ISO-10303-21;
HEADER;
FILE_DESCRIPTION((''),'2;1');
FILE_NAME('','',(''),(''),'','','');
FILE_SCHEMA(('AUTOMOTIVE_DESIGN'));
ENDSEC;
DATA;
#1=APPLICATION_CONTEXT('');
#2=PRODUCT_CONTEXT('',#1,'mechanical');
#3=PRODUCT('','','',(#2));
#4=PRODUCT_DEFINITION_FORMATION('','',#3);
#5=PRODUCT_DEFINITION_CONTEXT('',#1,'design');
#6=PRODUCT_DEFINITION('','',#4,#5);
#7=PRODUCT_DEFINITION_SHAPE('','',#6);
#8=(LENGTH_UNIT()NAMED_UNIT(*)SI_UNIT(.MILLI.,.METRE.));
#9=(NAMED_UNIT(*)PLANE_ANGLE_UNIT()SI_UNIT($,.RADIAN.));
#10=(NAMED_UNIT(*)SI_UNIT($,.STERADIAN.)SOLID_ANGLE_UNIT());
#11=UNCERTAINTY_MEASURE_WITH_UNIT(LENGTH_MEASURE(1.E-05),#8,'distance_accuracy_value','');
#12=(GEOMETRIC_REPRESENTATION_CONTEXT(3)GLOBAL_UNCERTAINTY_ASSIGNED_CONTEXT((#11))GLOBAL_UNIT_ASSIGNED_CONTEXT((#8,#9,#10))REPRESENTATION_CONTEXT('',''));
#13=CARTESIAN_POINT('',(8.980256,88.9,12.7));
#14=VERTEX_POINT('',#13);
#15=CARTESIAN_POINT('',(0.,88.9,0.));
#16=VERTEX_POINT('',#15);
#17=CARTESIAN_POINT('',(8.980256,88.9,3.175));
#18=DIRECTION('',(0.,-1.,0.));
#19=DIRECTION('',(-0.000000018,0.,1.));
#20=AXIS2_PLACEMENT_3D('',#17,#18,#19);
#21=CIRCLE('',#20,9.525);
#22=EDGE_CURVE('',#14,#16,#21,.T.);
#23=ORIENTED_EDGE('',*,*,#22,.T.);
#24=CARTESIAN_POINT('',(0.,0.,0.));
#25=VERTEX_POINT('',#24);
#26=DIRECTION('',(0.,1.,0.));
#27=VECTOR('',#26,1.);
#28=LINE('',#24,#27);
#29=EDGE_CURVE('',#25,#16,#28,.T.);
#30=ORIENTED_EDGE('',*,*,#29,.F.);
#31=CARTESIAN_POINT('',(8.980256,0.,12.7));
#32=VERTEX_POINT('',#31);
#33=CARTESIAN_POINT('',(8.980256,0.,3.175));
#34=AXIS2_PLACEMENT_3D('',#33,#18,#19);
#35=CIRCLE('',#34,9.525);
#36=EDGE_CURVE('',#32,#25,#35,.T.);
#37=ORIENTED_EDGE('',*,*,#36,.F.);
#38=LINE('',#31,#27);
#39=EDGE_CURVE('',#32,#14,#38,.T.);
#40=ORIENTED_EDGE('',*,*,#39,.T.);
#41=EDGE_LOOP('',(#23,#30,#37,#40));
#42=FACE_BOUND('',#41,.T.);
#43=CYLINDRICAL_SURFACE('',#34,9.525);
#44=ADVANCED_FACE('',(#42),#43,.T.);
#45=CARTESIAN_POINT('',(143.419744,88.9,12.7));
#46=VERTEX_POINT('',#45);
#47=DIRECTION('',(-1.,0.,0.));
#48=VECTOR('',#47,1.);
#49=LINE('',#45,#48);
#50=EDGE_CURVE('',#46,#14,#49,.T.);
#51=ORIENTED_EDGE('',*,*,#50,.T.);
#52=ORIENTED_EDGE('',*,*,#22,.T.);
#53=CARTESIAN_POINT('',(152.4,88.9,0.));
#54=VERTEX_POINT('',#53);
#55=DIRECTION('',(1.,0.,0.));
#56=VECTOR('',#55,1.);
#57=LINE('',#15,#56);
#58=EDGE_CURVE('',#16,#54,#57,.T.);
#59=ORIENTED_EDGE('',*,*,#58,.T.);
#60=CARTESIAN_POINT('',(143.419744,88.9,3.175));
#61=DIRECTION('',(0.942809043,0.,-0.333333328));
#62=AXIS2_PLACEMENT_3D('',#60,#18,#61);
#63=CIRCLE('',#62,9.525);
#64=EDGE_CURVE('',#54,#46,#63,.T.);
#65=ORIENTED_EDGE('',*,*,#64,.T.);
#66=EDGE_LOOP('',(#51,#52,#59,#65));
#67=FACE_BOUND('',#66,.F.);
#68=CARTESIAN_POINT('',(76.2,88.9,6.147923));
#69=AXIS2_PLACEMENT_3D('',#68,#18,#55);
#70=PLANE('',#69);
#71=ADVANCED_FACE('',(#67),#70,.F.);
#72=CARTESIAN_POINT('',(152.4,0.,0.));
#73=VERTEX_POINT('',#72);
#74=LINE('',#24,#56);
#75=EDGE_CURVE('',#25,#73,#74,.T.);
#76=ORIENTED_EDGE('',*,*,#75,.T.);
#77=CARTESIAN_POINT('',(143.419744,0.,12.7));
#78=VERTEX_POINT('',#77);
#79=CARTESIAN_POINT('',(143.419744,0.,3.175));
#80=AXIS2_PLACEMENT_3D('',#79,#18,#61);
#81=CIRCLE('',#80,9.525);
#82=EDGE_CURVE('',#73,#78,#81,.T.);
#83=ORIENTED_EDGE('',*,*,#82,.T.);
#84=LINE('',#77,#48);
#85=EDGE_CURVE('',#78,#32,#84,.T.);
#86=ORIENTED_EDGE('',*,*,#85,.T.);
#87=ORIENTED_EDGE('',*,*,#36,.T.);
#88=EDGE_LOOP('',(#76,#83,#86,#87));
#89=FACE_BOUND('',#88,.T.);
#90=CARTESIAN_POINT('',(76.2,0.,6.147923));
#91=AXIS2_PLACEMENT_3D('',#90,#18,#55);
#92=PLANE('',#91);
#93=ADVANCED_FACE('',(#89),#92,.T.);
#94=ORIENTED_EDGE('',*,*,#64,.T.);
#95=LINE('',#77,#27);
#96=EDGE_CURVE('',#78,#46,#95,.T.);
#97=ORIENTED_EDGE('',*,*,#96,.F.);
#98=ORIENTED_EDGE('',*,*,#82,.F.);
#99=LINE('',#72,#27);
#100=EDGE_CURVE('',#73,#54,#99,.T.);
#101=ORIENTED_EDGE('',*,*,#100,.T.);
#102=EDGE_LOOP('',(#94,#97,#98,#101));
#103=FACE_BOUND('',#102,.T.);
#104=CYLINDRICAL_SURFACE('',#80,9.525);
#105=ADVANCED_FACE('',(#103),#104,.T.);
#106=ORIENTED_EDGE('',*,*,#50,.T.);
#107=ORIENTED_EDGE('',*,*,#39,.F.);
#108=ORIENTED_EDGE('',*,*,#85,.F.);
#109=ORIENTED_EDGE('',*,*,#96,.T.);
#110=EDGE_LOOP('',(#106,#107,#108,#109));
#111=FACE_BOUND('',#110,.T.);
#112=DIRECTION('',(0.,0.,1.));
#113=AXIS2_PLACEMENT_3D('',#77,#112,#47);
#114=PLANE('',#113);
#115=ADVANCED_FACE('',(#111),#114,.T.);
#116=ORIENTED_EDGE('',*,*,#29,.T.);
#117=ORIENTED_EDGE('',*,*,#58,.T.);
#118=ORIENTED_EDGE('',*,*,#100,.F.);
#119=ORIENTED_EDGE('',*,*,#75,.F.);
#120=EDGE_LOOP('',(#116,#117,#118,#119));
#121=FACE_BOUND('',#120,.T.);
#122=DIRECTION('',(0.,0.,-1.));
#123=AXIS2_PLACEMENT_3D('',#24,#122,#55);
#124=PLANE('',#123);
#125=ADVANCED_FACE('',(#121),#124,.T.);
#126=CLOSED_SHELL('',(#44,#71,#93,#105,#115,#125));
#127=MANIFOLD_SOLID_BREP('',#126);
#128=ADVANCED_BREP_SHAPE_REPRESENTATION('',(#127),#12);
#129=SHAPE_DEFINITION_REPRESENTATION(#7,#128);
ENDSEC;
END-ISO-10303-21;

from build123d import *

# Parameters (mm, degrees)
F1_DEPTH = 88.9


with BuildPart() as f1:
    # F0 (on Front) → F1 (new body)
    with BuildSketch(Plane.XZ):
        with BuildLine():
            ThreePointArc((8.980256, 12.7), (1.203126, 8.674261), (0, 0))
            Line((0, 0), (152.4, 0))
            ThreePointArc((152.4, 0), (151.196874, 8.674261), (143.419744, 12.7))
            Line((143.419744, 12.7), (8.980256, 12.7))
        make_face()
    extrude(amount=-F1_DEPTH)


solid = f1.part
